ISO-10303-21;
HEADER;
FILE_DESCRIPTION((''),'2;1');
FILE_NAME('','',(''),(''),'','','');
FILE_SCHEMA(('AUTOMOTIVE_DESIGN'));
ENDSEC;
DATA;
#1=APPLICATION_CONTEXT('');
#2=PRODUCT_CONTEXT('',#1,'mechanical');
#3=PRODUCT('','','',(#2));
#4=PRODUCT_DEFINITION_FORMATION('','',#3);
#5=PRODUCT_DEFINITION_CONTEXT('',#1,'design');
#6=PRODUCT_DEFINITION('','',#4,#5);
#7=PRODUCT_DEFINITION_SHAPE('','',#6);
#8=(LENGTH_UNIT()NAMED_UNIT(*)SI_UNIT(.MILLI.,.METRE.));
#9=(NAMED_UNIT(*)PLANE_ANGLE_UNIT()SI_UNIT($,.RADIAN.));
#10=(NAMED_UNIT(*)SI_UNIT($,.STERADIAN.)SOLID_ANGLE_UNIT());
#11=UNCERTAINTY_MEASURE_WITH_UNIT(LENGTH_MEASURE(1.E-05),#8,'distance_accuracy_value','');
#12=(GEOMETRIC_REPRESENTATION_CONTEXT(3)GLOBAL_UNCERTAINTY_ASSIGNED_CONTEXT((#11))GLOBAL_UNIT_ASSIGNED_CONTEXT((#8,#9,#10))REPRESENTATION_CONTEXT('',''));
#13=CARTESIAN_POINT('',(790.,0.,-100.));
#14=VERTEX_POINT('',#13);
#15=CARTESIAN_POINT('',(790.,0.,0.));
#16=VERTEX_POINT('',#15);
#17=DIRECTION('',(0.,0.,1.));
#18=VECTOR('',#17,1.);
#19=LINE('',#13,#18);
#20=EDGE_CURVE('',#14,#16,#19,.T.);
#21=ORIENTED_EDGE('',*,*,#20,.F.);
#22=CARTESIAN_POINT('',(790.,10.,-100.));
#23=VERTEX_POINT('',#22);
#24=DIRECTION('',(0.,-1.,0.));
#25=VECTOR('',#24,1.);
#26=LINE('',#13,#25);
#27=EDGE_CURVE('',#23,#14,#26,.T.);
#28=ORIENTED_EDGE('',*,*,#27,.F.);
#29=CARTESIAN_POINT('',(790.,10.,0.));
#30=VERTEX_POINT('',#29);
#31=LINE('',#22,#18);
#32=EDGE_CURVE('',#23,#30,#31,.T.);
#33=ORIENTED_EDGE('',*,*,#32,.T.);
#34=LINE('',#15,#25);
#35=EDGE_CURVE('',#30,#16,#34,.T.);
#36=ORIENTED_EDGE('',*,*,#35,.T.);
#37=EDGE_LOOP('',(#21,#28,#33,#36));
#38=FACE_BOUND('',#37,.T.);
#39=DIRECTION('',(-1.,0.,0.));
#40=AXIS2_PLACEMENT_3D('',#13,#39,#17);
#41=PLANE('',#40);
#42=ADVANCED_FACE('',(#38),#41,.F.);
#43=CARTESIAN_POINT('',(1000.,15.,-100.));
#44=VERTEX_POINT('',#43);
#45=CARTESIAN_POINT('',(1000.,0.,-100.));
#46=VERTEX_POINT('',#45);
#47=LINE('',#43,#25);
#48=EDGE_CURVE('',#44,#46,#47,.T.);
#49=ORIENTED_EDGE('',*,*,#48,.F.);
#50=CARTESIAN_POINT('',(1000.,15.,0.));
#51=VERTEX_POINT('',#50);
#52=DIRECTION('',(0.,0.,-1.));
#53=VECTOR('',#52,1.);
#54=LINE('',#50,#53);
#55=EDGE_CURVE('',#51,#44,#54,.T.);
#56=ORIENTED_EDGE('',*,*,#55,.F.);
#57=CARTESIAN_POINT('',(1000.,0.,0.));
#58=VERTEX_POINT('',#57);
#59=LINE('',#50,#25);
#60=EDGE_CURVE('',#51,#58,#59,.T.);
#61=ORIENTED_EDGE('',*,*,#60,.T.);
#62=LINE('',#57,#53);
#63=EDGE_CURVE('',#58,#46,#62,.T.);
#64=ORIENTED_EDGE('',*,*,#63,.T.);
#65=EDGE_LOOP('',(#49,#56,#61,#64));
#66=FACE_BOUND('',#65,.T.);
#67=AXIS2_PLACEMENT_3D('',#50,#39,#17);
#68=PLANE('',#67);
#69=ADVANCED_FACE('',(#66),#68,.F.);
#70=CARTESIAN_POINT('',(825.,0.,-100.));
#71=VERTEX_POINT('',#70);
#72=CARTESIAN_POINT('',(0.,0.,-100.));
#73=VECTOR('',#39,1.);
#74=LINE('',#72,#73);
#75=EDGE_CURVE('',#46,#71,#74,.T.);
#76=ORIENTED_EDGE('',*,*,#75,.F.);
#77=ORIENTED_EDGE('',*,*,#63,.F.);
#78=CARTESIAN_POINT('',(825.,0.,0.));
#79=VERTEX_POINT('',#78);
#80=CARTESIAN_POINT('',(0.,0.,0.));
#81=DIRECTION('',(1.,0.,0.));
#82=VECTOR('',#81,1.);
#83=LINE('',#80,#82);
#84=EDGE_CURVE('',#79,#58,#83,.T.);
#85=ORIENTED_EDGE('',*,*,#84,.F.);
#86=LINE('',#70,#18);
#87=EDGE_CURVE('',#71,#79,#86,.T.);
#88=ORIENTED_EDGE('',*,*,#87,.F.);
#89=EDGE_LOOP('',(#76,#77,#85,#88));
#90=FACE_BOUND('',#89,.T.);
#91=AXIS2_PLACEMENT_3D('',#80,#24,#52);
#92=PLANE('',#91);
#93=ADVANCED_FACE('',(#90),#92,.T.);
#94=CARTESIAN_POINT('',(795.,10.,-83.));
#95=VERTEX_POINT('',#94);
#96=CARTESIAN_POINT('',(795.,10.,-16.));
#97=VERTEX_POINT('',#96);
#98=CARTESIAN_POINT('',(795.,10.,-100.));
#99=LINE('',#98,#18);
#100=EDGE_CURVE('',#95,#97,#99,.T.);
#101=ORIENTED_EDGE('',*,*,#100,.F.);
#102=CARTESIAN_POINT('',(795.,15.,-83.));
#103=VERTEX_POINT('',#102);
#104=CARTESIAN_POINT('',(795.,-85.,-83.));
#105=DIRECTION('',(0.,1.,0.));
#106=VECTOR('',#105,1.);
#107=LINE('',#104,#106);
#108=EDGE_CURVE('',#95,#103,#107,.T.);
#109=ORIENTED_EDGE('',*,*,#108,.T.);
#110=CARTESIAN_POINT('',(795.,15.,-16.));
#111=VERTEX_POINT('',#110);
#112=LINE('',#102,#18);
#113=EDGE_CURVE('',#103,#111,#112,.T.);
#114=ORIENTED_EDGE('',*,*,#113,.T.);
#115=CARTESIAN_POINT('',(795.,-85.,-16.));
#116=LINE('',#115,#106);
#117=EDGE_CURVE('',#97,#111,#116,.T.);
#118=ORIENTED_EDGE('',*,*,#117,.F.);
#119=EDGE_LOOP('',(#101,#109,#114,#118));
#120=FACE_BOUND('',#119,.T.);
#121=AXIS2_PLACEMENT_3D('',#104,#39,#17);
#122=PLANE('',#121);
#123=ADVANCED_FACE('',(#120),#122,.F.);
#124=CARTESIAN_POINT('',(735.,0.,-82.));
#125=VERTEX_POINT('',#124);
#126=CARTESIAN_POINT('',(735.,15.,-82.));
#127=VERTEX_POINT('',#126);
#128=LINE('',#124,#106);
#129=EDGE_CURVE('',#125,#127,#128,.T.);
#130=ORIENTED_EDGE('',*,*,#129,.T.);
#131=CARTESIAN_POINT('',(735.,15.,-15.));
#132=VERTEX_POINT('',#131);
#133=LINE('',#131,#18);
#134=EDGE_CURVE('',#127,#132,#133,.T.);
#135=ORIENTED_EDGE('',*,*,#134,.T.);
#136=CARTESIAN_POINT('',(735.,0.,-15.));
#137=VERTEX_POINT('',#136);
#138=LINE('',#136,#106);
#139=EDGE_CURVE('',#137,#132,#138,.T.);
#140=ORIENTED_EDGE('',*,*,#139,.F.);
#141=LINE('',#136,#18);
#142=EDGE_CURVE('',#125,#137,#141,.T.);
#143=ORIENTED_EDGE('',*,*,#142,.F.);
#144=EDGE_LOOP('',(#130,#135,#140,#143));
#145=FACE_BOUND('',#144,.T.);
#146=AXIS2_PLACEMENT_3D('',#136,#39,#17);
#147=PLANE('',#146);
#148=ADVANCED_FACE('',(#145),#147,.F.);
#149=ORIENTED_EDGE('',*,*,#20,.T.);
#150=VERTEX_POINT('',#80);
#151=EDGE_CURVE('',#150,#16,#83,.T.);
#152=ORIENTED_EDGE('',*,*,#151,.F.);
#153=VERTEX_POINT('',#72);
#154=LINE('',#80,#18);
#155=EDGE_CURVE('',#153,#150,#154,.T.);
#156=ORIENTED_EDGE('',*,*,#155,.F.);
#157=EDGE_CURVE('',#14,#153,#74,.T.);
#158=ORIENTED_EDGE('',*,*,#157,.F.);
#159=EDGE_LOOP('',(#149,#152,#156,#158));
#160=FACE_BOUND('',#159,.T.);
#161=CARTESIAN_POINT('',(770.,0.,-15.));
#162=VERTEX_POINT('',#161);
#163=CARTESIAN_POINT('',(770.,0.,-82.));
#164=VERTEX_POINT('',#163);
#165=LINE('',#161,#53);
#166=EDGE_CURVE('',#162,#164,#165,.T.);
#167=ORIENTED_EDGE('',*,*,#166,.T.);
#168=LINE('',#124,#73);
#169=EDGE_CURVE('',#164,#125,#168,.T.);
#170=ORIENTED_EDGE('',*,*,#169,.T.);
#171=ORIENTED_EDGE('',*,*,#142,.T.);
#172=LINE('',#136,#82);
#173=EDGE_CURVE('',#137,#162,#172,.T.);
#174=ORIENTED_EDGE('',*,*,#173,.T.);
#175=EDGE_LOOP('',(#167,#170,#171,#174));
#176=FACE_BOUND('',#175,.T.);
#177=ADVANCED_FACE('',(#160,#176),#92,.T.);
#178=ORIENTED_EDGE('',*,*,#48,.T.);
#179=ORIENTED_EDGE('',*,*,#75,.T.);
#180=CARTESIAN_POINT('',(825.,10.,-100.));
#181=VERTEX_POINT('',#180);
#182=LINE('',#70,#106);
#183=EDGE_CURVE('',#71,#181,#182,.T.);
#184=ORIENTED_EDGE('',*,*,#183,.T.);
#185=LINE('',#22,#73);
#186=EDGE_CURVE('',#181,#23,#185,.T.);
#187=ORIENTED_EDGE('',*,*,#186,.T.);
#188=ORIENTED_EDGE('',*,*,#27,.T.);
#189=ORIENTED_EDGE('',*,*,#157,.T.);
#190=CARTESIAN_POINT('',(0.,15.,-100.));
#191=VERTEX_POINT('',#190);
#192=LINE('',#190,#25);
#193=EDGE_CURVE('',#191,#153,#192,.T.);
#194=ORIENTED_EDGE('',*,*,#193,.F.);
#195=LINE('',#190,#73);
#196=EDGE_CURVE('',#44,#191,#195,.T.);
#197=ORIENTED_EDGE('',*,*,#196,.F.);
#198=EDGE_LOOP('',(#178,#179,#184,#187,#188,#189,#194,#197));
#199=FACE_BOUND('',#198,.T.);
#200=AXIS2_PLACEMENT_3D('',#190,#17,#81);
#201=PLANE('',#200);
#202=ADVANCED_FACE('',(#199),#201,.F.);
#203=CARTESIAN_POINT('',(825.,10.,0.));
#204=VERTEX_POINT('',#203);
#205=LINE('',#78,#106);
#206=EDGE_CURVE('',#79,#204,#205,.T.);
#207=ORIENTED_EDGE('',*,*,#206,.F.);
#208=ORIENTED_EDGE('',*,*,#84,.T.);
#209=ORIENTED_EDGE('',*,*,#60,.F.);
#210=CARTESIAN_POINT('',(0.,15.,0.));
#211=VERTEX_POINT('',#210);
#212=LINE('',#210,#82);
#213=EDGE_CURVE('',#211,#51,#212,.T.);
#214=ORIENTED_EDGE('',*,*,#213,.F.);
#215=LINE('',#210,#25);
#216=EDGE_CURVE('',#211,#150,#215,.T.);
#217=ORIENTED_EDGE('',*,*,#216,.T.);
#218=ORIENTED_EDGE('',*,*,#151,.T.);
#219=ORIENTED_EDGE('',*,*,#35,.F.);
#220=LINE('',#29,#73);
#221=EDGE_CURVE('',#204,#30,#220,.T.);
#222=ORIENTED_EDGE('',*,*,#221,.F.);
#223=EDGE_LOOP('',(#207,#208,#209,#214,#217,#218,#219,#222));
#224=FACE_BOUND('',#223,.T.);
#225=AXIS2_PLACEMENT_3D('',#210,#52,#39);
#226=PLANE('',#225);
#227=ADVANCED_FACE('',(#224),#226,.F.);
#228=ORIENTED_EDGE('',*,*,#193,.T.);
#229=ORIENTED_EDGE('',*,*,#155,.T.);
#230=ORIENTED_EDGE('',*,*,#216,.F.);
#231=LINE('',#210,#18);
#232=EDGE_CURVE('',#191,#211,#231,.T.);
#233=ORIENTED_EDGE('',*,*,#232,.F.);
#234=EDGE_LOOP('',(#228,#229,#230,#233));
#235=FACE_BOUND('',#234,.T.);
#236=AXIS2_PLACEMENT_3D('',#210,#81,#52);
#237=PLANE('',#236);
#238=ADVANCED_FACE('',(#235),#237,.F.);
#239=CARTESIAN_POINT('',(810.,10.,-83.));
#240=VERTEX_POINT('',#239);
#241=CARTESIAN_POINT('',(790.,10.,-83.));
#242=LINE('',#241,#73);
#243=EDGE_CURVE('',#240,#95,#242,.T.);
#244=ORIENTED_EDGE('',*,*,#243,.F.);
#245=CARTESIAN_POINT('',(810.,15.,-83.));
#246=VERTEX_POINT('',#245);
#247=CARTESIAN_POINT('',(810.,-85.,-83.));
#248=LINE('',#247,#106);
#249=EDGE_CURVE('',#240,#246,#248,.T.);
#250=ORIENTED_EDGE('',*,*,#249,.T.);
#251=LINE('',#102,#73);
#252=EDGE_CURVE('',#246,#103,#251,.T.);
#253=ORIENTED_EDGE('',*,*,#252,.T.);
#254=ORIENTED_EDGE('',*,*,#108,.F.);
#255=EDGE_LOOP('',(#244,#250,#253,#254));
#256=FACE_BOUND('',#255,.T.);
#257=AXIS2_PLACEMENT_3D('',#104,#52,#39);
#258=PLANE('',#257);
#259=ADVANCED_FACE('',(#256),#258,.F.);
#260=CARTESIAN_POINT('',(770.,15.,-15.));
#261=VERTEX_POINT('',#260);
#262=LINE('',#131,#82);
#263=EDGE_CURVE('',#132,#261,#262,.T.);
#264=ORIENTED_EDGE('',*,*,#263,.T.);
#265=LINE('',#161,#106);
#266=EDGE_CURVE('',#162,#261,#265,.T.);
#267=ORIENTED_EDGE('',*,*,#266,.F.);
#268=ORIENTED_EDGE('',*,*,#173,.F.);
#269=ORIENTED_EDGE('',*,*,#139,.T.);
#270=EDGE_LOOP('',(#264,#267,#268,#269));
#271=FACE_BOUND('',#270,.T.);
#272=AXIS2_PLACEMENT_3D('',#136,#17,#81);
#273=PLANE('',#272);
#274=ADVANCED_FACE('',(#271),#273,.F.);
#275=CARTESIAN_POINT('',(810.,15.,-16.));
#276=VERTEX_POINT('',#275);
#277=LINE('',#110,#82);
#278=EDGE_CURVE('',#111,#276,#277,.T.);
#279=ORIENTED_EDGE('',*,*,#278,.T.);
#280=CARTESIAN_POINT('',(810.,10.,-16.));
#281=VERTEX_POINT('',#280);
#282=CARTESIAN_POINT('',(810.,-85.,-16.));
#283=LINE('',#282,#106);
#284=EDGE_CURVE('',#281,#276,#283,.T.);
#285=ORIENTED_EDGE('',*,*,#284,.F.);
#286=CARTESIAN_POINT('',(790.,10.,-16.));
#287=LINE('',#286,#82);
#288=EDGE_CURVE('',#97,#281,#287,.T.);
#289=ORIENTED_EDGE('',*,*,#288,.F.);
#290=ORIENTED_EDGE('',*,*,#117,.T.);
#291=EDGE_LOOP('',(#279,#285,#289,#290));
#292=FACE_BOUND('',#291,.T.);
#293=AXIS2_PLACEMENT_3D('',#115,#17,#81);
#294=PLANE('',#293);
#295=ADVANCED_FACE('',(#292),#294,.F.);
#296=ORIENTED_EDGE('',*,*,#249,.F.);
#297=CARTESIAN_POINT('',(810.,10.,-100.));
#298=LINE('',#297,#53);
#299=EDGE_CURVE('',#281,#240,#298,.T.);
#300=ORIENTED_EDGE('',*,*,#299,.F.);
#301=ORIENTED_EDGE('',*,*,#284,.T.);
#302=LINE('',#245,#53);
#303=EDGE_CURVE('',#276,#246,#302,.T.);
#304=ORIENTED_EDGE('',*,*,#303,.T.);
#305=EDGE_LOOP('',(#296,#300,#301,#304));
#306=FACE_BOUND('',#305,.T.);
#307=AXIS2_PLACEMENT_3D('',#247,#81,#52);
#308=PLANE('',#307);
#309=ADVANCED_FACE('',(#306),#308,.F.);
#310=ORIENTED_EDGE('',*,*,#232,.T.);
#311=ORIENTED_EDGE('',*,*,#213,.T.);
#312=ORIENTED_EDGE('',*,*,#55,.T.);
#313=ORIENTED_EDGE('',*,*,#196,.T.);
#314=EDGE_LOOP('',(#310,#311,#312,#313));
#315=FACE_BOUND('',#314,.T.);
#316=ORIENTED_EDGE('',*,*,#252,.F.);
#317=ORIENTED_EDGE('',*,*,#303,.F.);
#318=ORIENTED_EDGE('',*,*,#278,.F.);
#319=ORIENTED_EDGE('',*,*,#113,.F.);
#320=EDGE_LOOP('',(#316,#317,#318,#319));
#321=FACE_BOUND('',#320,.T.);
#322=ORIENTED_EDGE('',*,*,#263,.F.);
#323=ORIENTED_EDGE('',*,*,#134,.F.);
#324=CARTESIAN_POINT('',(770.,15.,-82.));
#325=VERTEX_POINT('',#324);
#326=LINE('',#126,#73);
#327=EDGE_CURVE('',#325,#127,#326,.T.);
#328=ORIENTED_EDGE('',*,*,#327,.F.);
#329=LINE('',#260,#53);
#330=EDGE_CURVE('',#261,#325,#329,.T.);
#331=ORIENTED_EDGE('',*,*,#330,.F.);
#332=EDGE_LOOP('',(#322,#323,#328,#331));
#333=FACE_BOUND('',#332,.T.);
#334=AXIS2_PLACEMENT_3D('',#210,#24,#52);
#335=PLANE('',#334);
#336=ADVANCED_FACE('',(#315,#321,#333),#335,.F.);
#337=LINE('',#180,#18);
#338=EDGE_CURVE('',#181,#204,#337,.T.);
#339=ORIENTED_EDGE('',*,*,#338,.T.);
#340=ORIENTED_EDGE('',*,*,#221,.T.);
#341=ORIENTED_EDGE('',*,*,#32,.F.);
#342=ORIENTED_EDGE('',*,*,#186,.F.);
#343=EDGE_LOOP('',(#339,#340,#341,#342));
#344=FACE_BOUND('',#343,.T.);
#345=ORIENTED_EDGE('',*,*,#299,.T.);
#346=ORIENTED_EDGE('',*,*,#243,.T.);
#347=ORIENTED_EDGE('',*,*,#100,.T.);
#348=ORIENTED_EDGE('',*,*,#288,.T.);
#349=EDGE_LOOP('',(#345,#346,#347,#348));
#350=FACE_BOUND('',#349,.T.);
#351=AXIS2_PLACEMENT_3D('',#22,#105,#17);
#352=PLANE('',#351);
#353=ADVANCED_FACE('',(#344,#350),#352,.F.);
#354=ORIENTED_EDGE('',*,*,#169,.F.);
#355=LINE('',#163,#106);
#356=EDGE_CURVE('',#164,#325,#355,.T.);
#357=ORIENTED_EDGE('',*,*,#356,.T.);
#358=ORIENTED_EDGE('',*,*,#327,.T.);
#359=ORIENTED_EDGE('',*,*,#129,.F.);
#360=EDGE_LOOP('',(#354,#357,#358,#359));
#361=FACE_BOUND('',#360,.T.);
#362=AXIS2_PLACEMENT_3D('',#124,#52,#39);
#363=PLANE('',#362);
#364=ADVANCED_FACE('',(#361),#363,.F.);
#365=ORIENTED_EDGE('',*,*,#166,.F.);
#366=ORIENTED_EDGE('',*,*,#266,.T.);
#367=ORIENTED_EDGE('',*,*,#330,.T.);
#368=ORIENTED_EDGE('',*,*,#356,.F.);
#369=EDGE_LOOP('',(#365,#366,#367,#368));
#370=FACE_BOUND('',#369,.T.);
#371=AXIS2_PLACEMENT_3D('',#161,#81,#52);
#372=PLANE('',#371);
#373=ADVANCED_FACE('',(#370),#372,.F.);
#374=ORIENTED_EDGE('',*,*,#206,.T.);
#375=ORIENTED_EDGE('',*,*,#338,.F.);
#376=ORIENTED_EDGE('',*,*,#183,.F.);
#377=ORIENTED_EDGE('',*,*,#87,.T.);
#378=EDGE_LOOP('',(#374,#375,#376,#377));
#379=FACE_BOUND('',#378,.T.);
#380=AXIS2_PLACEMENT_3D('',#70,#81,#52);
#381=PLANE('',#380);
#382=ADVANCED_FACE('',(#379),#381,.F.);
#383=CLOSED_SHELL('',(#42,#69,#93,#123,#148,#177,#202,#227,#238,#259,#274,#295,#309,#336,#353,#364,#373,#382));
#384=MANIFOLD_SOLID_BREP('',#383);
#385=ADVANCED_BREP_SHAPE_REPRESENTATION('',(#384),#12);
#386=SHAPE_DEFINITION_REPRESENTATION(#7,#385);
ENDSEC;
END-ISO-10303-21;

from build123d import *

# Parameters (mm, degrees)
SKETCH1_W           = 1000
SKETCH1_H           = 100
BOSS_EXTRUDE1_DEPTH = 15
SKETCH2_W           = 35
SKETCH2_H           = 67
CUT_EXTRUDE1_DEPTH  = 15
SKETCH4_W           = 35
SKETCH4_H           = 10
CUT_EXTRUDE2_DEPTH  = 100
SKETCH5_W           = 15
SKETCH5_H           = 67
CUT_EXTRUDE4_DEPTH  = 100


with BuildPart() as part:
    # Sketch1 → Boss-Extrude1 (new body)
    with BuildSketch(Plane(origin=(0, 0, 0), x_dir=(1, 0, 0), z_dir=(0, 1, 0))):
        with Locations((500, 50)):
            Rectangle(SKETCH1_W, SKETCH1_H)
    extrude(amount=BOSS_EXTRUDE1_DEPTH)

    # Sketch2 → Cut-Extrude1 (cut)
    with BuildSketch(Plane(origin=(0, 15, 0), x_dir=(1, 0, 0), z_dir=(0, 1, 0))):
        with Locations((752.5, 48.5)):
            Rectangle(SKETCH2_W, SKETCH2_H)
    extrude(amount=-CUT_EXTRUDE1_DEPTH, mode=Mode.SUBTRACT)

    # Sketch4 → Cut-Extrude2 (cut)
    with BuildSketch(Plane.XY):
        with Locations((807.5, 5)):
            Rectangle(SKETCH4_W, SKETCH4_H)
    extrude(amount=-CUT_EXTRUDE2_DEPTH, mode=Mode.SUBTRACT)

    # Sketch5 → Cut-Extrude4 (cut)
    with BuildSketch(Plane(origin=(0, 15, 0), x_dir=(1, 0, 0), z_dir=(0, 1, 0))):
        with Locations((802.5, 49.5)):
            Rectangle(SKETCH5_W, SKETCH5_H)
    extrude(amount=-CUT_EXTRUDE4_DEPTH, mode=Mode.SUBTRACT)


solid = part.part
